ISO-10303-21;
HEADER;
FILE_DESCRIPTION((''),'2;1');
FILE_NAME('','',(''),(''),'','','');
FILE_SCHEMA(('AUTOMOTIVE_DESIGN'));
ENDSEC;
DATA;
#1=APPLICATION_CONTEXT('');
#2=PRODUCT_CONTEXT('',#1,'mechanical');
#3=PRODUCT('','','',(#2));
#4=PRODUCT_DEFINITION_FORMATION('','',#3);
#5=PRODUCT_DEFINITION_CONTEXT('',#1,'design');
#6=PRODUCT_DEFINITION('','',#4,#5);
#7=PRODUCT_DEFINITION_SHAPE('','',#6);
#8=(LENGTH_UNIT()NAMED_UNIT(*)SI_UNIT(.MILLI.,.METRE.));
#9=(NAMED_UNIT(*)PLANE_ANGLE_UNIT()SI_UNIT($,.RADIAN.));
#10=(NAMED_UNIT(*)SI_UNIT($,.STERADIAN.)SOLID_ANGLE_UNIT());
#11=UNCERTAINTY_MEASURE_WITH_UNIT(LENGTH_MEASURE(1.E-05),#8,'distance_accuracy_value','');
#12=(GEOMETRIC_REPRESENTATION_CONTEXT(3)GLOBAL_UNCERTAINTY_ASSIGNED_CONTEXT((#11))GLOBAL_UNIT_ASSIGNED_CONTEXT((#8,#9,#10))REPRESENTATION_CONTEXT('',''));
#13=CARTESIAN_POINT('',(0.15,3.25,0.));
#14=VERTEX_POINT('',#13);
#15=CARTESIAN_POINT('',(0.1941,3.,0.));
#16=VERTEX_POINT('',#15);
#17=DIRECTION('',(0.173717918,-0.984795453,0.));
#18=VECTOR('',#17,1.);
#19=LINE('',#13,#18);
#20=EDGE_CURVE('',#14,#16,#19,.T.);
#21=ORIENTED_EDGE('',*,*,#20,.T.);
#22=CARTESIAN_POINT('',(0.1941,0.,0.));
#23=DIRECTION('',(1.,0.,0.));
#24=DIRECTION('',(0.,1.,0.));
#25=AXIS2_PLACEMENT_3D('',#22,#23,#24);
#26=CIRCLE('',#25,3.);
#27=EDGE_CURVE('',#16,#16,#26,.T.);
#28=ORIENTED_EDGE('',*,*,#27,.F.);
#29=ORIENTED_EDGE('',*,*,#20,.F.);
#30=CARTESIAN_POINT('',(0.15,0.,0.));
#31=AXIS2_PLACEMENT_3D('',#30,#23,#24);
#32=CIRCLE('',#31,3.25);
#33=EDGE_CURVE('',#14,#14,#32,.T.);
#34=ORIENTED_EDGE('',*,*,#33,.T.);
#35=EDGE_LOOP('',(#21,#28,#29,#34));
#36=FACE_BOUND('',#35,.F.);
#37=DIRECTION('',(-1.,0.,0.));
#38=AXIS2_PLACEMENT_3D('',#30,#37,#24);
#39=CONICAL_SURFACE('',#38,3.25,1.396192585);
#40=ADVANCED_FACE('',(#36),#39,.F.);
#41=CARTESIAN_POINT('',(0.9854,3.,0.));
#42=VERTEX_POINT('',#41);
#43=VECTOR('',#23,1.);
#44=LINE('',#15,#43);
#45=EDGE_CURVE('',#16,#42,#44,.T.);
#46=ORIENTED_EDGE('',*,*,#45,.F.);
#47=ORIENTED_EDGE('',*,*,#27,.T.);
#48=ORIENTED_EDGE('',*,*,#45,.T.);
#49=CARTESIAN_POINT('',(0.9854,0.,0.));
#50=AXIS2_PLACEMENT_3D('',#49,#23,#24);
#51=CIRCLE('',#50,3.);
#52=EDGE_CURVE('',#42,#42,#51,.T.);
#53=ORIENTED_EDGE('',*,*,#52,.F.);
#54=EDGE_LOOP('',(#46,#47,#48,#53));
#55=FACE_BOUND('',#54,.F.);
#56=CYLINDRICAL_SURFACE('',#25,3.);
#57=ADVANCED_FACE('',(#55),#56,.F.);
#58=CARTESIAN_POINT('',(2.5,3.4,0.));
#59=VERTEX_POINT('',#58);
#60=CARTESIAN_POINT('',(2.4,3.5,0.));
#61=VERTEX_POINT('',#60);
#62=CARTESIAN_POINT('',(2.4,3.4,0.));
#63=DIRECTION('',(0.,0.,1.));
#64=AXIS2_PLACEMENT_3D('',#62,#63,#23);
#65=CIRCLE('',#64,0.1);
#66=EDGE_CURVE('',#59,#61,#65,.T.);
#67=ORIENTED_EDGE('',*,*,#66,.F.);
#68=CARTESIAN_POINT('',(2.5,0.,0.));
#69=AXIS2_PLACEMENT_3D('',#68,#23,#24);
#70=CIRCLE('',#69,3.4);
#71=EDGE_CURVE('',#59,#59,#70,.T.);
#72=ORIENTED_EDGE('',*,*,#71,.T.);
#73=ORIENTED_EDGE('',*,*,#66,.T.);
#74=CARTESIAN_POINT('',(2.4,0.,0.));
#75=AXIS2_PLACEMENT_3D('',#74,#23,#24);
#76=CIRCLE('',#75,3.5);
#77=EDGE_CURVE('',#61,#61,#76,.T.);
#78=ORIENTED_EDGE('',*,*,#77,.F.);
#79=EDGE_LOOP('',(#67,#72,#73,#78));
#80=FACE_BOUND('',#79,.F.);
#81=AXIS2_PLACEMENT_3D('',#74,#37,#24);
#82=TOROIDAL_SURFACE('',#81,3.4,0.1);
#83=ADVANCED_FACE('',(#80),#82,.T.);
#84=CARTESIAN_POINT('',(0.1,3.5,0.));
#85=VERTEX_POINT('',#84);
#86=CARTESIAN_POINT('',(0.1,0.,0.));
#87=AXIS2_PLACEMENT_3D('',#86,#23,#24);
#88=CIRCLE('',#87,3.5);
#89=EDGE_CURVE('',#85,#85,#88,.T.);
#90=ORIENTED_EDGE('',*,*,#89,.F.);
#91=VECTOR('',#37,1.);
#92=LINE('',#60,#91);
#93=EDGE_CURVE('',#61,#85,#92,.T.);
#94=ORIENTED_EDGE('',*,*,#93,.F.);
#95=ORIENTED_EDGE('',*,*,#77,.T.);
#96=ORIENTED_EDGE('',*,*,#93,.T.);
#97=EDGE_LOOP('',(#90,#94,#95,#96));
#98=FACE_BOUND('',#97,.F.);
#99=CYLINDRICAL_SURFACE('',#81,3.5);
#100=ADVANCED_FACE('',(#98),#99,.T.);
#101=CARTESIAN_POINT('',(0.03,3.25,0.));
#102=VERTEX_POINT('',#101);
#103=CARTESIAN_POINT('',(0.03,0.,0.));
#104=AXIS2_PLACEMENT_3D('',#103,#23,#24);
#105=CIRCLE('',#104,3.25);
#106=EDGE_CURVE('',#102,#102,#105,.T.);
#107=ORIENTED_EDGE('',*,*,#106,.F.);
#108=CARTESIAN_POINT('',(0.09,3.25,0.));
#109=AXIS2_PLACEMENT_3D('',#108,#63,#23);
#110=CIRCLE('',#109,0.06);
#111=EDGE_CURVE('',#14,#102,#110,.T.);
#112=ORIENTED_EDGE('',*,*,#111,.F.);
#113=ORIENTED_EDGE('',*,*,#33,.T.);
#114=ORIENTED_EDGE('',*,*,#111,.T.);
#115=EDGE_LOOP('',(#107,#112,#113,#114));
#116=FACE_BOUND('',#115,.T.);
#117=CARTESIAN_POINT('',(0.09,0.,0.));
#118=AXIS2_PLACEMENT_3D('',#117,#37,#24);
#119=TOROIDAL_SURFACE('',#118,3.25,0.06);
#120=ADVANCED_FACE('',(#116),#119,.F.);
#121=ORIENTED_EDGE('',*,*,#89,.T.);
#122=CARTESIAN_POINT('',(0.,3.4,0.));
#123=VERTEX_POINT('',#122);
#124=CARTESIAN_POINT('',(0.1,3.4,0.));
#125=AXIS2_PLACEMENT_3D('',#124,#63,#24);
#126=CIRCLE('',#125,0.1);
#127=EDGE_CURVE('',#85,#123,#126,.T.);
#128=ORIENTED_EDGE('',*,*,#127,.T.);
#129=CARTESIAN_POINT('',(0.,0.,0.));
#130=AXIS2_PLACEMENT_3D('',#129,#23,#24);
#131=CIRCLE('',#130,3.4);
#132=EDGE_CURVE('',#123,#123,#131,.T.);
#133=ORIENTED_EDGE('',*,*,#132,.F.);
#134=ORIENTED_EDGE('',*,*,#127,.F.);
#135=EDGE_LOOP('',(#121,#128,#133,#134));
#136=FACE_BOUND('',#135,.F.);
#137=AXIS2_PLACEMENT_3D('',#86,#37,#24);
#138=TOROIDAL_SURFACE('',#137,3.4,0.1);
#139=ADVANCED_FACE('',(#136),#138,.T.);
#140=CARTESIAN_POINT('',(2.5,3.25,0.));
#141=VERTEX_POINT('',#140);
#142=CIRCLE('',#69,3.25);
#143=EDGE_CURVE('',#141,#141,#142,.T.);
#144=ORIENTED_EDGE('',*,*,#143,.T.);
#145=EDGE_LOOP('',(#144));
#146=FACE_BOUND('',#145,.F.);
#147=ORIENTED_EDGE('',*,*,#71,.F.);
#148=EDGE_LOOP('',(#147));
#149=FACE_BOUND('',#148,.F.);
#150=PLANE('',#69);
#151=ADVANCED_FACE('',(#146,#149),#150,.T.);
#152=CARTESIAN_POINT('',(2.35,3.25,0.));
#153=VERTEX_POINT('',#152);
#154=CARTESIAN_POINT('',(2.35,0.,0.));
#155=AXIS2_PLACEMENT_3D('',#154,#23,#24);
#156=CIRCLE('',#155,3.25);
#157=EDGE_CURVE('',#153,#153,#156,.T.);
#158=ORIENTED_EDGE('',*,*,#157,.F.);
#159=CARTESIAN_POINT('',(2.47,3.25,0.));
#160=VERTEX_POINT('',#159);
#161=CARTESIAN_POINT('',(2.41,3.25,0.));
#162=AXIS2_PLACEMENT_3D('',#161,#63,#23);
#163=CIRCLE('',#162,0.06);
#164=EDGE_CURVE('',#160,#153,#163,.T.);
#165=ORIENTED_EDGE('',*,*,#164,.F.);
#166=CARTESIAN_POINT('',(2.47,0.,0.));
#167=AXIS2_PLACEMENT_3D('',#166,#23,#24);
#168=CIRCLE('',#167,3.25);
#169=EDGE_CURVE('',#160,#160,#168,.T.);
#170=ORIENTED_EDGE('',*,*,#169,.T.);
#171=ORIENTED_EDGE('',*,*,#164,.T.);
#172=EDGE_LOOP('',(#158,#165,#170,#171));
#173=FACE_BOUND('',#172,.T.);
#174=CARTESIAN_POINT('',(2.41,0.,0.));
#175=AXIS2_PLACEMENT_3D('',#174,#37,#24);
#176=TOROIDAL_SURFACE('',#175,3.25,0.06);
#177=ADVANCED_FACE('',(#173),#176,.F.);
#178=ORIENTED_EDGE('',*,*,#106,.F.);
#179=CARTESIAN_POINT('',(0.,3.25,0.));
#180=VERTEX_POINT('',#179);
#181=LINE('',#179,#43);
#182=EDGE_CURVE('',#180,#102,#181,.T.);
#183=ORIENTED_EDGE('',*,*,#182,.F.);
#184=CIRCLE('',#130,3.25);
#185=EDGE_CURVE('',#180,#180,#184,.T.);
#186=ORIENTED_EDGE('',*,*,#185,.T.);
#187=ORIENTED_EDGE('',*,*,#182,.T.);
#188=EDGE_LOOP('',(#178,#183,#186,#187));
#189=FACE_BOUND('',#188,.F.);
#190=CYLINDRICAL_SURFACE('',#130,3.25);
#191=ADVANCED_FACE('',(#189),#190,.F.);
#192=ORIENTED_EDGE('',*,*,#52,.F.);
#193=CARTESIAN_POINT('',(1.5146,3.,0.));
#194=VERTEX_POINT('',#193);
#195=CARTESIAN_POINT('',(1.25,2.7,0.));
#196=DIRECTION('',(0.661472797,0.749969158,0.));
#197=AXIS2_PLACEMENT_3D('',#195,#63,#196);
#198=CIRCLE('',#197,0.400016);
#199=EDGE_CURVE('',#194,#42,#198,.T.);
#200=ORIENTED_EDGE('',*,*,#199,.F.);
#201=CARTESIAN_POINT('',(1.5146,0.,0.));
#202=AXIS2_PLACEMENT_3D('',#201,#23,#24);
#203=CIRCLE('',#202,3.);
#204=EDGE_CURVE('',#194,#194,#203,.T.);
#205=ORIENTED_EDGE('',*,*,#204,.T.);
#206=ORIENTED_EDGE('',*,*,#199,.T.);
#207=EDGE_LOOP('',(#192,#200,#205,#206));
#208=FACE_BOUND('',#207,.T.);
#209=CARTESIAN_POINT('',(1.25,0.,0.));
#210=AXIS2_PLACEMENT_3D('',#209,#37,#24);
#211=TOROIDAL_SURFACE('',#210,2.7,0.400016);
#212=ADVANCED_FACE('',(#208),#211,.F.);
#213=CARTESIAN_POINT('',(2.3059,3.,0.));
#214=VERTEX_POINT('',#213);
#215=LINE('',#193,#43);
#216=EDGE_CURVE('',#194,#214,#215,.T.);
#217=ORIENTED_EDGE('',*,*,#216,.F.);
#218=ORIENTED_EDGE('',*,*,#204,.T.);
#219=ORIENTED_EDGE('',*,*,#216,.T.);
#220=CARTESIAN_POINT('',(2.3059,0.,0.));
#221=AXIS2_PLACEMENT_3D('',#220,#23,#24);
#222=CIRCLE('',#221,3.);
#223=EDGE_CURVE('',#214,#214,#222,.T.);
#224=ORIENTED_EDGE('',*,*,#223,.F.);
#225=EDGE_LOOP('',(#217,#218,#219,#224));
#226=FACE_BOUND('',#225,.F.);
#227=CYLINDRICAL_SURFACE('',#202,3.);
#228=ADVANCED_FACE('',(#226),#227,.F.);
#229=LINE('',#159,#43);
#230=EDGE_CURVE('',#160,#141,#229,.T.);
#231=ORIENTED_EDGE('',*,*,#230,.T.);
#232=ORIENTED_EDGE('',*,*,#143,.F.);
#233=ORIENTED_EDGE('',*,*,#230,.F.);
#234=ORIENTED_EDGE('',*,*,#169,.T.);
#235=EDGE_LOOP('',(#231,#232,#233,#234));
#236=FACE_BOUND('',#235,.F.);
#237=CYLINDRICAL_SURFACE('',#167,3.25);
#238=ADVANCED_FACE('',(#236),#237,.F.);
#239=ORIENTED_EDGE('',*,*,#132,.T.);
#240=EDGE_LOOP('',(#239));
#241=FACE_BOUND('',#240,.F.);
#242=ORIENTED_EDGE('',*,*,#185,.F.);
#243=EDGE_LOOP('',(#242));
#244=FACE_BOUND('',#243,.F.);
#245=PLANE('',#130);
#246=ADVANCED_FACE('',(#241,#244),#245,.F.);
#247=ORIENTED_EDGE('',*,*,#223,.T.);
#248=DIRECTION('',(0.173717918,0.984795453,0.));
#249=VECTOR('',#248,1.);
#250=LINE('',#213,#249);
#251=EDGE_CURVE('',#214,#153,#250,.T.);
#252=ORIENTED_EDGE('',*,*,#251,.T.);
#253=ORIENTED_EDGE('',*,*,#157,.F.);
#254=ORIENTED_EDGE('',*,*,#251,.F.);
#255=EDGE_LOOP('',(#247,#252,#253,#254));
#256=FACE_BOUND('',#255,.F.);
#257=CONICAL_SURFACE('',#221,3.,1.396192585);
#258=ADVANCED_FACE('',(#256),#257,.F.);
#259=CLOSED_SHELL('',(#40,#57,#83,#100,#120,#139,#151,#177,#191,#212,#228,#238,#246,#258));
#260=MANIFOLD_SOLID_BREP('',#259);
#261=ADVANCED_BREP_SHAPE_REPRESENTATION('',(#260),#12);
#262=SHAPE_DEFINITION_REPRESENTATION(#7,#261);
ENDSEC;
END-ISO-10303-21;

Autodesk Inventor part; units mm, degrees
ref_plane "YZ Plane" through (0, 0, 0) normal (1, 0, 0) x (0, 1, 0)
ref_plane "XZ Plane" through (0, 0, 0) normal (0, 1, 0) x (-1, 0, 0)
ref_plane "XY Plane" through (0, 0, 0) normal (0, 0, 1) x (1, 0, 0)
sketch "Sketch_6" plane through (0, 0, 0) normal (0, 0, 1) x (1, 0, 0)
  line L0 (50, 0) -> (-50, 0)
  line L1 (0, 3.4) -> (0, 3.25)
  line L2 (0, 3.25) -> (0.03, 3.25)
  arc A0 (0.15, 3.25) -> (0.03, 3.25) centre (0.09, 3.25) ccw
  line L3 (0.15, 3.25) -> (0.1941, 3)
  line L4 (0.1941, 3) -> (0.9854, 3)
  arc A1 (1.5146, 3) -> (0.9854, 3) centre (1.25, 2.7) ccw
  line L5 (1.5146, 3) -> (2.3059, 3)
  line L6 (2.3059, 3) -> (2.35, 3.25)
  arc A2 (2.47, 3.25) -> (2.35, 3.25) centre (2.41, 3.25) ccw
  line L7 (2.47, 3.25) -> (2.5, 3.25)
  line L8 (2.5, 3.25) -> (2.5, 3.4)
  arc A3 (2.5, 3.4) -> (2.4, 3.5) centre (2.4, 3.4) ccw
  line L9 (2.4, 3.5) -> (0.1, 3.5)
  arc A4 (0.1, 3.5) -> (0, 3.4) centre (0.1, 3.4) ccw
revolve "Revolution1" add sketch "Sketch_6" angle 360 about axis through (50, 0, 0) along (1, 0, 0)
properties part number "W 627/4-2Z_PART2"
